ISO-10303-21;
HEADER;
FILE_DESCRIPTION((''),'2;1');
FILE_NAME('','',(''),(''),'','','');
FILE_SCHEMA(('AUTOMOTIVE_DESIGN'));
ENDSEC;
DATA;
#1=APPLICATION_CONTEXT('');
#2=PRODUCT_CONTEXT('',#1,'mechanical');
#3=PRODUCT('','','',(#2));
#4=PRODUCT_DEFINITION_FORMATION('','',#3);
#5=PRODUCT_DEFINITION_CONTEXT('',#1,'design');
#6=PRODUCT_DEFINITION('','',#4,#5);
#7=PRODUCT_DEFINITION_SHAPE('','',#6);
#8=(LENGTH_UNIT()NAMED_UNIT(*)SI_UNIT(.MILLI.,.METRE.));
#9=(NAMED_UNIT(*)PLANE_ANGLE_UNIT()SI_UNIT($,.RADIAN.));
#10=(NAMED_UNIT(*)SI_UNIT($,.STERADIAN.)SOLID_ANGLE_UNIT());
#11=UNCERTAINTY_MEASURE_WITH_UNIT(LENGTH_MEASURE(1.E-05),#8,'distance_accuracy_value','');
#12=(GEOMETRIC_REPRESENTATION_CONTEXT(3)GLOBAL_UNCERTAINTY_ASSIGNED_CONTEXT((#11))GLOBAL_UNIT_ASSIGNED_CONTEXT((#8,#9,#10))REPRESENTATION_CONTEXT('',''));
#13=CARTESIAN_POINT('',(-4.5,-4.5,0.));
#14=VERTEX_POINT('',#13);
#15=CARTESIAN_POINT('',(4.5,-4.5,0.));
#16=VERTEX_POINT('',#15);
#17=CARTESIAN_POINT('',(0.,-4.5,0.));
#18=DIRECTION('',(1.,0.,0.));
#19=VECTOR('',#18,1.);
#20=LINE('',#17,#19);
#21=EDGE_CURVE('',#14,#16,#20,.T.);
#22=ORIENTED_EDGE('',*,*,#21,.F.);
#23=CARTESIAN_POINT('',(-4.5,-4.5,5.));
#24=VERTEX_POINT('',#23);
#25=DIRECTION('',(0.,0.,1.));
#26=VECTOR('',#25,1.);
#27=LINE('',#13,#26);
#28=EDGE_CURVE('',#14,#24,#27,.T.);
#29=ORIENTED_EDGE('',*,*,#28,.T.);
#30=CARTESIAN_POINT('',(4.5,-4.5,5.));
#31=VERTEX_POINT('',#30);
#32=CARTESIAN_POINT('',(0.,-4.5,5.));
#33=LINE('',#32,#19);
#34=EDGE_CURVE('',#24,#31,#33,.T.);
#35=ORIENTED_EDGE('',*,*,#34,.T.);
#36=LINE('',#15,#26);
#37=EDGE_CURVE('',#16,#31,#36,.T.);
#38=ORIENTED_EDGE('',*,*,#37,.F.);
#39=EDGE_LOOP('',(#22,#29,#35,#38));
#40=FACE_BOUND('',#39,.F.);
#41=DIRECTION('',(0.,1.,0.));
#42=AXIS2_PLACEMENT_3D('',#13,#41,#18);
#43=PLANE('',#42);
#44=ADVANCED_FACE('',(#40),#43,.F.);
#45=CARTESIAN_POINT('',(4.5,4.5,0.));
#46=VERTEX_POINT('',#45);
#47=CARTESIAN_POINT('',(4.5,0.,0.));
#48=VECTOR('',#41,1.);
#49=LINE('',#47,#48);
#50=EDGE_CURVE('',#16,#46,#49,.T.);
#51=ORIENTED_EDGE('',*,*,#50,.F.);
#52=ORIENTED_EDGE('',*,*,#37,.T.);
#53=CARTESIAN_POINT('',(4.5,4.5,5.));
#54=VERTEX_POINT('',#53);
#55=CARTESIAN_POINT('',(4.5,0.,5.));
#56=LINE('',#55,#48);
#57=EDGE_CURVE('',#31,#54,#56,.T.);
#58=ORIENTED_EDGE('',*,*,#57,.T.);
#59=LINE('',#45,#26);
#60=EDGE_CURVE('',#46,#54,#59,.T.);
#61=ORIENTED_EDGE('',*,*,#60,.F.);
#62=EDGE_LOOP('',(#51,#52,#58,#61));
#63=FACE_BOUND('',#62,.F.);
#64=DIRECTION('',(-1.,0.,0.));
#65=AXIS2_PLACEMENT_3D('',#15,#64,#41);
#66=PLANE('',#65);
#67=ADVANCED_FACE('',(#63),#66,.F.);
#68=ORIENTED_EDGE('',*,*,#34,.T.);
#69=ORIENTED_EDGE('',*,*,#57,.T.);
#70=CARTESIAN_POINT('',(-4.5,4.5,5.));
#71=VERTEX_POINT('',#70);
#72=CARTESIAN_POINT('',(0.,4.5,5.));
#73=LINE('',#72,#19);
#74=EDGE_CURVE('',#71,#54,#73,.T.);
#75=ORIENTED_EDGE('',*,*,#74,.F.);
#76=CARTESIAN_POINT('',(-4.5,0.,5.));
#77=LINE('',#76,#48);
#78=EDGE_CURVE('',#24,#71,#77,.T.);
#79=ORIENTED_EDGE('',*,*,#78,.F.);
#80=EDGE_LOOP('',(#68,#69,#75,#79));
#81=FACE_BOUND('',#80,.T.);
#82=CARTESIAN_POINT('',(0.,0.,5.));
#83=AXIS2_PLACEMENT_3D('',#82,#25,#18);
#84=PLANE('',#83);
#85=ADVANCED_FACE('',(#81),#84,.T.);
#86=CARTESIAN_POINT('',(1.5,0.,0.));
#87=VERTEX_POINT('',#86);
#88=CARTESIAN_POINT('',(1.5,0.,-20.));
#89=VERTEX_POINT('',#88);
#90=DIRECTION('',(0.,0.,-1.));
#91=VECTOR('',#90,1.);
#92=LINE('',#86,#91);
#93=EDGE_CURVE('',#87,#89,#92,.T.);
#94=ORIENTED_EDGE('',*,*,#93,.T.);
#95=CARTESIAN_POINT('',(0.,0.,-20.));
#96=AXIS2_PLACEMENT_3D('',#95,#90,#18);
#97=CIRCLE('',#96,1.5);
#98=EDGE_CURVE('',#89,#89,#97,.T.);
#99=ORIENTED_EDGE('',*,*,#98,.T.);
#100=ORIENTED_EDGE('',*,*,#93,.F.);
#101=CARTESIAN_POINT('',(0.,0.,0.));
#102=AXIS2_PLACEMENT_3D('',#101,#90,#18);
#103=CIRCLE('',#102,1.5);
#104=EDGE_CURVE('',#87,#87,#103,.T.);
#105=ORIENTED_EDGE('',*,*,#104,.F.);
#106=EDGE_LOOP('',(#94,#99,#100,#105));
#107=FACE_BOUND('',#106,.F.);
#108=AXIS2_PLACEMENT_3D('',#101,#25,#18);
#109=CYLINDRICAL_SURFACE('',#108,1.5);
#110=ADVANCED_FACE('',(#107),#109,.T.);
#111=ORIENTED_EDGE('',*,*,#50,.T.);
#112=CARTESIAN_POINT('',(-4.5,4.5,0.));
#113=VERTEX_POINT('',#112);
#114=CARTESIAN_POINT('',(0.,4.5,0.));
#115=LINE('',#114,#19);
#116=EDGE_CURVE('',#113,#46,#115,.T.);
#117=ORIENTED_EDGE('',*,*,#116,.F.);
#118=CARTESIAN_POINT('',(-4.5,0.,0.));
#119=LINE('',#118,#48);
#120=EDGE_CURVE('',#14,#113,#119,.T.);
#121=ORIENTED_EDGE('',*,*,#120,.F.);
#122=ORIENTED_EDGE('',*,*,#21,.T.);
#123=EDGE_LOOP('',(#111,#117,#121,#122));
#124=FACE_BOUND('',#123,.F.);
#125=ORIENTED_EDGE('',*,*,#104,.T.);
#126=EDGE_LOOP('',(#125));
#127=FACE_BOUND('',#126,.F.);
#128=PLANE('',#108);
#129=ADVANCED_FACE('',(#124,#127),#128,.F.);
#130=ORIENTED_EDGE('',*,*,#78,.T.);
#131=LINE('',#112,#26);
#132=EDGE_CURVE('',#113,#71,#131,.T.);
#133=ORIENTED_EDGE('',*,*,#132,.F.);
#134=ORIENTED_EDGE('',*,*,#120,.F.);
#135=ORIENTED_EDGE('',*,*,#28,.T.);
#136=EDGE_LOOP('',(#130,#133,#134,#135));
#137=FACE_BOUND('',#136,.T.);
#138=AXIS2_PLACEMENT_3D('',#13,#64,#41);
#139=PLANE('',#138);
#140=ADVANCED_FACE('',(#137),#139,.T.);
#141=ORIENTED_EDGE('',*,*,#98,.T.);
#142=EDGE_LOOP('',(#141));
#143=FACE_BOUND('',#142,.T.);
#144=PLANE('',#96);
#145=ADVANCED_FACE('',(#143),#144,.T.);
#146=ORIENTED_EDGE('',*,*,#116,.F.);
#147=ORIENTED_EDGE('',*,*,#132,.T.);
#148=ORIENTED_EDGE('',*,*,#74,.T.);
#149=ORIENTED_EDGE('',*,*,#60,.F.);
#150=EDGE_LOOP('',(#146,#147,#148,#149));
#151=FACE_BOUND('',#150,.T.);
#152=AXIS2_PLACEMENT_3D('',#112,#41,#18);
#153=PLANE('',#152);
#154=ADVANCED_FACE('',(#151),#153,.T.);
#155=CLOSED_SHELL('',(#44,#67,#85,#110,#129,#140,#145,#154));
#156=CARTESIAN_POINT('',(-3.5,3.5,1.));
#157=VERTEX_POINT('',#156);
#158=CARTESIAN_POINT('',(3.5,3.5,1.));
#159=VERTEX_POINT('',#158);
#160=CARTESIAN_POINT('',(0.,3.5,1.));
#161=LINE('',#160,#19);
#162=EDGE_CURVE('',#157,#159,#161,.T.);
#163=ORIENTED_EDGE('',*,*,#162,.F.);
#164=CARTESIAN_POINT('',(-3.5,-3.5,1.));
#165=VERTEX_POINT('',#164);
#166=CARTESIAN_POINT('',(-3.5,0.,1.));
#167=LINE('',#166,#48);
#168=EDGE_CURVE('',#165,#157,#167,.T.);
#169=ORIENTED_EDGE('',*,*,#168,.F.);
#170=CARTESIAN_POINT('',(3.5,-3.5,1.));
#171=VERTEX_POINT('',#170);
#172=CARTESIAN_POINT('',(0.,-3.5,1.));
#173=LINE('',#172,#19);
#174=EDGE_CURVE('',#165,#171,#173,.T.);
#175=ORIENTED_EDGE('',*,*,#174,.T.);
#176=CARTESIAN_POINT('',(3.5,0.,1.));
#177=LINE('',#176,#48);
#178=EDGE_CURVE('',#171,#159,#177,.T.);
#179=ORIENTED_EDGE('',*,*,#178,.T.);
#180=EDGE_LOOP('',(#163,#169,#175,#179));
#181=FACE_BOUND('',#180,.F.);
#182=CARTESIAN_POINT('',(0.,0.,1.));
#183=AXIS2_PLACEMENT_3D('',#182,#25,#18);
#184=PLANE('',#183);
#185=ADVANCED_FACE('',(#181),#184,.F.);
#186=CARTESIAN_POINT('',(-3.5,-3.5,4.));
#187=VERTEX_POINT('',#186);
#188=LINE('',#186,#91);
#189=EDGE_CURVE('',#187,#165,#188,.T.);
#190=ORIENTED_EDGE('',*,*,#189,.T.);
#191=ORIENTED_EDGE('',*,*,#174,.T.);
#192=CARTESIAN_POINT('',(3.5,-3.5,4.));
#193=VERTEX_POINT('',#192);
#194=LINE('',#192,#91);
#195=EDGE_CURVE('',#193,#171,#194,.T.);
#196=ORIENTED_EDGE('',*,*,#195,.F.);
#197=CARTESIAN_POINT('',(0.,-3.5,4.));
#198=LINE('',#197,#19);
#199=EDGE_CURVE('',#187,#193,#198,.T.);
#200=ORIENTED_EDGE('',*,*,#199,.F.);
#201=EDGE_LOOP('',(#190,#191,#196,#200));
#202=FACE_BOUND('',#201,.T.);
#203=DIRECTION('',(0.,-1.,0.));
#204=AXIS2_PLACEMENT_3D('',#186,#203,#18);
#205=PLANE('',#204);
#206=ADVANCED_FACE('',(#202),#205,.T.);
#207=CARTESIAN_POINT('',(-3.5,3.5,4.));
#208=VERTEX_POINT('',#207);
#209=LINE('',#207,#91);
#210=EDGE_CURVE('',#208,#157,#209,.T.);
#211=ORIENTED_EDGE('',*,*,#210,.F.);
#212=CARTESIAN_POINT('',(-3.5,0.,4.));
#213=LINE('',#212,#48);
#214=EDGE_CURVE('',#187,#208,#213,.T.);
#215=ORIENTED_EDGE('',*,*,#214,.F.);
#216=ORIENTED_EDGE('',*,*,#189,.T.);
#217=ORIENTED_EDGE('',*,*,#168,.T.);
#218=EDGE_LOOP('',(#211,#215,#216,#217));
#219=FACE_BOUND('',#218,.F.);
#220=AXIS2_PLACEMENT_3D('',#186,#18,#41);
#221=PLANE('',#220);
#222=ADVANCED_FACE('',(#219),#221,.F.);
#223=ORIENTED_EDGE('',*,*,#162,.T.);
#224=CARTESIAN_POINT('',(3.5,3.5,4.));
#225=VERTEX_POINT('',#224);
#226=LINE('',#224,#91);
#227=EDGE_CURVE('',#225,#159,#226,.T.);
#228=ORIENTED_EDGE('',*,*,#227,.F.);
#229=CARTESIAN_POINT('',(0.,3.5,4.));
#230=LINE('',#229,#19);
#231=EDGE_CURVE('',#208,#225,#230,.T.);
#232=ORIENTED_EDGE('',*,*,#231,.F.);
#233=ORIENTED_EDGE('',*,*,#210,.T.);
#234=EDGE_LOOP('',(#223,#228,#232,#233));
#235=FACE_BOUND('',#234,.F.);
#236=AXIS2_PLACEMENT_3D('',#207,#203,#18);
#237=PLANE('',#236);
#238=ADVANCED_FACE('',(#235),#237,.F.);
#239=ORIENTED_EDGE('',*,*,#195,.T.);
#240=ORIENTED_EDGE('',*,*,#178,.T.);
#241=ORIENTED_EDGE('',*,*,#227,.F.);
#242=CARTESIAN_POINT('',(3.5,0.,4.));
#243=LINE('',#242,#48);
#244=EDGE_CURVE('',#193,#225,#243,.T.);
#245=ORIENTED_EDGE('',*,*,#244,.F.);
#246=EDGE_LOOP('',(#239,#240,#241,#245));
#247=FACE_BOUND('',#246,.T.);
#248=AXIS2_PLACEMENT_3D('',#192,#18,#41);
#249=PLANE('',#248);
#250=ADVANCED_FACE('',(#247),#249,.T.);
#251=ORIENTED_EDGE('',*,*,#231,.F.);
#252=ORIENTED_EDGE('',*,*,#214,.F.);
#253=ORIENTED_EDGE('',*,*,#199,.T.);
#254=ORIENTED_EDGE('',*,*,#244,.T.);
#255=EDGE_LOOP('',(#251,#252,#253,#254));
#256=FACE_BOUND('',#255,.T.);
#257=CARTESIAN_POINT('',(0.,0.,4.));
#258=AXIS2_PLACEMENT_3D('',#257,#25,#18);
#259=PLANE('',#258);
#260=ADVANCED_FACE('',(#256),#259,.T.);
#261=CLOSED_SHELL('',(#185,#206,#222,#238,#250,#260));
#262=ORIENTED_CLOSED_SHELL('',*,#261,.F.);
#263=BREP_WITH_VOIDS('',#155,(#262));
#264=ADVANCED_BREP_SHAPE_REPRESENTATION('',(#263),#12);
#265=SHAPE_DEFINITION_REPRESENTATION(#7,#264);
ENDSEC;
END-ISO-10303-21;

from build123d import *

# Parameters (mm, degrees)
SKETCH_W     = 9
SKETCH_H     = 9
PAD_DEPTH    = 5
SKETCH001_R  = 1.5
PAD001_DEPTH = 20
SKETCH002_W  = 7
SKETCH002_H  = 7
POCKET_DEPTH = 3


with BuildPart() as part:
    # Sketch → Pad (new body)
    with BuildSketch(Plane.XY):
        Rectangle(SKETCH_W, SKETCH_H)
    extrude(amount=PAD_DEPTH)

    # Sketch001 (on Face5 of Pad) → Pad001 (join)
    with BuildSketch(Plane(origin=(0, 0, 0), x_dir=(1, 0, 0), z_dir=(0, 0, -1))):
        Circle(SKETCH001_R)
    extrude(amount=PAD001_DEPTH)

    # Sketch002 → Pocket (cut)
    with BuildSketch(Plane.XY.offset(4)):
        Rectangle(SKETCH002_W, SKETCH002_H)
    extrude(amount=-POCKET_DEPTH, mode=Mode.SUBTRACT)


solid = part.part
